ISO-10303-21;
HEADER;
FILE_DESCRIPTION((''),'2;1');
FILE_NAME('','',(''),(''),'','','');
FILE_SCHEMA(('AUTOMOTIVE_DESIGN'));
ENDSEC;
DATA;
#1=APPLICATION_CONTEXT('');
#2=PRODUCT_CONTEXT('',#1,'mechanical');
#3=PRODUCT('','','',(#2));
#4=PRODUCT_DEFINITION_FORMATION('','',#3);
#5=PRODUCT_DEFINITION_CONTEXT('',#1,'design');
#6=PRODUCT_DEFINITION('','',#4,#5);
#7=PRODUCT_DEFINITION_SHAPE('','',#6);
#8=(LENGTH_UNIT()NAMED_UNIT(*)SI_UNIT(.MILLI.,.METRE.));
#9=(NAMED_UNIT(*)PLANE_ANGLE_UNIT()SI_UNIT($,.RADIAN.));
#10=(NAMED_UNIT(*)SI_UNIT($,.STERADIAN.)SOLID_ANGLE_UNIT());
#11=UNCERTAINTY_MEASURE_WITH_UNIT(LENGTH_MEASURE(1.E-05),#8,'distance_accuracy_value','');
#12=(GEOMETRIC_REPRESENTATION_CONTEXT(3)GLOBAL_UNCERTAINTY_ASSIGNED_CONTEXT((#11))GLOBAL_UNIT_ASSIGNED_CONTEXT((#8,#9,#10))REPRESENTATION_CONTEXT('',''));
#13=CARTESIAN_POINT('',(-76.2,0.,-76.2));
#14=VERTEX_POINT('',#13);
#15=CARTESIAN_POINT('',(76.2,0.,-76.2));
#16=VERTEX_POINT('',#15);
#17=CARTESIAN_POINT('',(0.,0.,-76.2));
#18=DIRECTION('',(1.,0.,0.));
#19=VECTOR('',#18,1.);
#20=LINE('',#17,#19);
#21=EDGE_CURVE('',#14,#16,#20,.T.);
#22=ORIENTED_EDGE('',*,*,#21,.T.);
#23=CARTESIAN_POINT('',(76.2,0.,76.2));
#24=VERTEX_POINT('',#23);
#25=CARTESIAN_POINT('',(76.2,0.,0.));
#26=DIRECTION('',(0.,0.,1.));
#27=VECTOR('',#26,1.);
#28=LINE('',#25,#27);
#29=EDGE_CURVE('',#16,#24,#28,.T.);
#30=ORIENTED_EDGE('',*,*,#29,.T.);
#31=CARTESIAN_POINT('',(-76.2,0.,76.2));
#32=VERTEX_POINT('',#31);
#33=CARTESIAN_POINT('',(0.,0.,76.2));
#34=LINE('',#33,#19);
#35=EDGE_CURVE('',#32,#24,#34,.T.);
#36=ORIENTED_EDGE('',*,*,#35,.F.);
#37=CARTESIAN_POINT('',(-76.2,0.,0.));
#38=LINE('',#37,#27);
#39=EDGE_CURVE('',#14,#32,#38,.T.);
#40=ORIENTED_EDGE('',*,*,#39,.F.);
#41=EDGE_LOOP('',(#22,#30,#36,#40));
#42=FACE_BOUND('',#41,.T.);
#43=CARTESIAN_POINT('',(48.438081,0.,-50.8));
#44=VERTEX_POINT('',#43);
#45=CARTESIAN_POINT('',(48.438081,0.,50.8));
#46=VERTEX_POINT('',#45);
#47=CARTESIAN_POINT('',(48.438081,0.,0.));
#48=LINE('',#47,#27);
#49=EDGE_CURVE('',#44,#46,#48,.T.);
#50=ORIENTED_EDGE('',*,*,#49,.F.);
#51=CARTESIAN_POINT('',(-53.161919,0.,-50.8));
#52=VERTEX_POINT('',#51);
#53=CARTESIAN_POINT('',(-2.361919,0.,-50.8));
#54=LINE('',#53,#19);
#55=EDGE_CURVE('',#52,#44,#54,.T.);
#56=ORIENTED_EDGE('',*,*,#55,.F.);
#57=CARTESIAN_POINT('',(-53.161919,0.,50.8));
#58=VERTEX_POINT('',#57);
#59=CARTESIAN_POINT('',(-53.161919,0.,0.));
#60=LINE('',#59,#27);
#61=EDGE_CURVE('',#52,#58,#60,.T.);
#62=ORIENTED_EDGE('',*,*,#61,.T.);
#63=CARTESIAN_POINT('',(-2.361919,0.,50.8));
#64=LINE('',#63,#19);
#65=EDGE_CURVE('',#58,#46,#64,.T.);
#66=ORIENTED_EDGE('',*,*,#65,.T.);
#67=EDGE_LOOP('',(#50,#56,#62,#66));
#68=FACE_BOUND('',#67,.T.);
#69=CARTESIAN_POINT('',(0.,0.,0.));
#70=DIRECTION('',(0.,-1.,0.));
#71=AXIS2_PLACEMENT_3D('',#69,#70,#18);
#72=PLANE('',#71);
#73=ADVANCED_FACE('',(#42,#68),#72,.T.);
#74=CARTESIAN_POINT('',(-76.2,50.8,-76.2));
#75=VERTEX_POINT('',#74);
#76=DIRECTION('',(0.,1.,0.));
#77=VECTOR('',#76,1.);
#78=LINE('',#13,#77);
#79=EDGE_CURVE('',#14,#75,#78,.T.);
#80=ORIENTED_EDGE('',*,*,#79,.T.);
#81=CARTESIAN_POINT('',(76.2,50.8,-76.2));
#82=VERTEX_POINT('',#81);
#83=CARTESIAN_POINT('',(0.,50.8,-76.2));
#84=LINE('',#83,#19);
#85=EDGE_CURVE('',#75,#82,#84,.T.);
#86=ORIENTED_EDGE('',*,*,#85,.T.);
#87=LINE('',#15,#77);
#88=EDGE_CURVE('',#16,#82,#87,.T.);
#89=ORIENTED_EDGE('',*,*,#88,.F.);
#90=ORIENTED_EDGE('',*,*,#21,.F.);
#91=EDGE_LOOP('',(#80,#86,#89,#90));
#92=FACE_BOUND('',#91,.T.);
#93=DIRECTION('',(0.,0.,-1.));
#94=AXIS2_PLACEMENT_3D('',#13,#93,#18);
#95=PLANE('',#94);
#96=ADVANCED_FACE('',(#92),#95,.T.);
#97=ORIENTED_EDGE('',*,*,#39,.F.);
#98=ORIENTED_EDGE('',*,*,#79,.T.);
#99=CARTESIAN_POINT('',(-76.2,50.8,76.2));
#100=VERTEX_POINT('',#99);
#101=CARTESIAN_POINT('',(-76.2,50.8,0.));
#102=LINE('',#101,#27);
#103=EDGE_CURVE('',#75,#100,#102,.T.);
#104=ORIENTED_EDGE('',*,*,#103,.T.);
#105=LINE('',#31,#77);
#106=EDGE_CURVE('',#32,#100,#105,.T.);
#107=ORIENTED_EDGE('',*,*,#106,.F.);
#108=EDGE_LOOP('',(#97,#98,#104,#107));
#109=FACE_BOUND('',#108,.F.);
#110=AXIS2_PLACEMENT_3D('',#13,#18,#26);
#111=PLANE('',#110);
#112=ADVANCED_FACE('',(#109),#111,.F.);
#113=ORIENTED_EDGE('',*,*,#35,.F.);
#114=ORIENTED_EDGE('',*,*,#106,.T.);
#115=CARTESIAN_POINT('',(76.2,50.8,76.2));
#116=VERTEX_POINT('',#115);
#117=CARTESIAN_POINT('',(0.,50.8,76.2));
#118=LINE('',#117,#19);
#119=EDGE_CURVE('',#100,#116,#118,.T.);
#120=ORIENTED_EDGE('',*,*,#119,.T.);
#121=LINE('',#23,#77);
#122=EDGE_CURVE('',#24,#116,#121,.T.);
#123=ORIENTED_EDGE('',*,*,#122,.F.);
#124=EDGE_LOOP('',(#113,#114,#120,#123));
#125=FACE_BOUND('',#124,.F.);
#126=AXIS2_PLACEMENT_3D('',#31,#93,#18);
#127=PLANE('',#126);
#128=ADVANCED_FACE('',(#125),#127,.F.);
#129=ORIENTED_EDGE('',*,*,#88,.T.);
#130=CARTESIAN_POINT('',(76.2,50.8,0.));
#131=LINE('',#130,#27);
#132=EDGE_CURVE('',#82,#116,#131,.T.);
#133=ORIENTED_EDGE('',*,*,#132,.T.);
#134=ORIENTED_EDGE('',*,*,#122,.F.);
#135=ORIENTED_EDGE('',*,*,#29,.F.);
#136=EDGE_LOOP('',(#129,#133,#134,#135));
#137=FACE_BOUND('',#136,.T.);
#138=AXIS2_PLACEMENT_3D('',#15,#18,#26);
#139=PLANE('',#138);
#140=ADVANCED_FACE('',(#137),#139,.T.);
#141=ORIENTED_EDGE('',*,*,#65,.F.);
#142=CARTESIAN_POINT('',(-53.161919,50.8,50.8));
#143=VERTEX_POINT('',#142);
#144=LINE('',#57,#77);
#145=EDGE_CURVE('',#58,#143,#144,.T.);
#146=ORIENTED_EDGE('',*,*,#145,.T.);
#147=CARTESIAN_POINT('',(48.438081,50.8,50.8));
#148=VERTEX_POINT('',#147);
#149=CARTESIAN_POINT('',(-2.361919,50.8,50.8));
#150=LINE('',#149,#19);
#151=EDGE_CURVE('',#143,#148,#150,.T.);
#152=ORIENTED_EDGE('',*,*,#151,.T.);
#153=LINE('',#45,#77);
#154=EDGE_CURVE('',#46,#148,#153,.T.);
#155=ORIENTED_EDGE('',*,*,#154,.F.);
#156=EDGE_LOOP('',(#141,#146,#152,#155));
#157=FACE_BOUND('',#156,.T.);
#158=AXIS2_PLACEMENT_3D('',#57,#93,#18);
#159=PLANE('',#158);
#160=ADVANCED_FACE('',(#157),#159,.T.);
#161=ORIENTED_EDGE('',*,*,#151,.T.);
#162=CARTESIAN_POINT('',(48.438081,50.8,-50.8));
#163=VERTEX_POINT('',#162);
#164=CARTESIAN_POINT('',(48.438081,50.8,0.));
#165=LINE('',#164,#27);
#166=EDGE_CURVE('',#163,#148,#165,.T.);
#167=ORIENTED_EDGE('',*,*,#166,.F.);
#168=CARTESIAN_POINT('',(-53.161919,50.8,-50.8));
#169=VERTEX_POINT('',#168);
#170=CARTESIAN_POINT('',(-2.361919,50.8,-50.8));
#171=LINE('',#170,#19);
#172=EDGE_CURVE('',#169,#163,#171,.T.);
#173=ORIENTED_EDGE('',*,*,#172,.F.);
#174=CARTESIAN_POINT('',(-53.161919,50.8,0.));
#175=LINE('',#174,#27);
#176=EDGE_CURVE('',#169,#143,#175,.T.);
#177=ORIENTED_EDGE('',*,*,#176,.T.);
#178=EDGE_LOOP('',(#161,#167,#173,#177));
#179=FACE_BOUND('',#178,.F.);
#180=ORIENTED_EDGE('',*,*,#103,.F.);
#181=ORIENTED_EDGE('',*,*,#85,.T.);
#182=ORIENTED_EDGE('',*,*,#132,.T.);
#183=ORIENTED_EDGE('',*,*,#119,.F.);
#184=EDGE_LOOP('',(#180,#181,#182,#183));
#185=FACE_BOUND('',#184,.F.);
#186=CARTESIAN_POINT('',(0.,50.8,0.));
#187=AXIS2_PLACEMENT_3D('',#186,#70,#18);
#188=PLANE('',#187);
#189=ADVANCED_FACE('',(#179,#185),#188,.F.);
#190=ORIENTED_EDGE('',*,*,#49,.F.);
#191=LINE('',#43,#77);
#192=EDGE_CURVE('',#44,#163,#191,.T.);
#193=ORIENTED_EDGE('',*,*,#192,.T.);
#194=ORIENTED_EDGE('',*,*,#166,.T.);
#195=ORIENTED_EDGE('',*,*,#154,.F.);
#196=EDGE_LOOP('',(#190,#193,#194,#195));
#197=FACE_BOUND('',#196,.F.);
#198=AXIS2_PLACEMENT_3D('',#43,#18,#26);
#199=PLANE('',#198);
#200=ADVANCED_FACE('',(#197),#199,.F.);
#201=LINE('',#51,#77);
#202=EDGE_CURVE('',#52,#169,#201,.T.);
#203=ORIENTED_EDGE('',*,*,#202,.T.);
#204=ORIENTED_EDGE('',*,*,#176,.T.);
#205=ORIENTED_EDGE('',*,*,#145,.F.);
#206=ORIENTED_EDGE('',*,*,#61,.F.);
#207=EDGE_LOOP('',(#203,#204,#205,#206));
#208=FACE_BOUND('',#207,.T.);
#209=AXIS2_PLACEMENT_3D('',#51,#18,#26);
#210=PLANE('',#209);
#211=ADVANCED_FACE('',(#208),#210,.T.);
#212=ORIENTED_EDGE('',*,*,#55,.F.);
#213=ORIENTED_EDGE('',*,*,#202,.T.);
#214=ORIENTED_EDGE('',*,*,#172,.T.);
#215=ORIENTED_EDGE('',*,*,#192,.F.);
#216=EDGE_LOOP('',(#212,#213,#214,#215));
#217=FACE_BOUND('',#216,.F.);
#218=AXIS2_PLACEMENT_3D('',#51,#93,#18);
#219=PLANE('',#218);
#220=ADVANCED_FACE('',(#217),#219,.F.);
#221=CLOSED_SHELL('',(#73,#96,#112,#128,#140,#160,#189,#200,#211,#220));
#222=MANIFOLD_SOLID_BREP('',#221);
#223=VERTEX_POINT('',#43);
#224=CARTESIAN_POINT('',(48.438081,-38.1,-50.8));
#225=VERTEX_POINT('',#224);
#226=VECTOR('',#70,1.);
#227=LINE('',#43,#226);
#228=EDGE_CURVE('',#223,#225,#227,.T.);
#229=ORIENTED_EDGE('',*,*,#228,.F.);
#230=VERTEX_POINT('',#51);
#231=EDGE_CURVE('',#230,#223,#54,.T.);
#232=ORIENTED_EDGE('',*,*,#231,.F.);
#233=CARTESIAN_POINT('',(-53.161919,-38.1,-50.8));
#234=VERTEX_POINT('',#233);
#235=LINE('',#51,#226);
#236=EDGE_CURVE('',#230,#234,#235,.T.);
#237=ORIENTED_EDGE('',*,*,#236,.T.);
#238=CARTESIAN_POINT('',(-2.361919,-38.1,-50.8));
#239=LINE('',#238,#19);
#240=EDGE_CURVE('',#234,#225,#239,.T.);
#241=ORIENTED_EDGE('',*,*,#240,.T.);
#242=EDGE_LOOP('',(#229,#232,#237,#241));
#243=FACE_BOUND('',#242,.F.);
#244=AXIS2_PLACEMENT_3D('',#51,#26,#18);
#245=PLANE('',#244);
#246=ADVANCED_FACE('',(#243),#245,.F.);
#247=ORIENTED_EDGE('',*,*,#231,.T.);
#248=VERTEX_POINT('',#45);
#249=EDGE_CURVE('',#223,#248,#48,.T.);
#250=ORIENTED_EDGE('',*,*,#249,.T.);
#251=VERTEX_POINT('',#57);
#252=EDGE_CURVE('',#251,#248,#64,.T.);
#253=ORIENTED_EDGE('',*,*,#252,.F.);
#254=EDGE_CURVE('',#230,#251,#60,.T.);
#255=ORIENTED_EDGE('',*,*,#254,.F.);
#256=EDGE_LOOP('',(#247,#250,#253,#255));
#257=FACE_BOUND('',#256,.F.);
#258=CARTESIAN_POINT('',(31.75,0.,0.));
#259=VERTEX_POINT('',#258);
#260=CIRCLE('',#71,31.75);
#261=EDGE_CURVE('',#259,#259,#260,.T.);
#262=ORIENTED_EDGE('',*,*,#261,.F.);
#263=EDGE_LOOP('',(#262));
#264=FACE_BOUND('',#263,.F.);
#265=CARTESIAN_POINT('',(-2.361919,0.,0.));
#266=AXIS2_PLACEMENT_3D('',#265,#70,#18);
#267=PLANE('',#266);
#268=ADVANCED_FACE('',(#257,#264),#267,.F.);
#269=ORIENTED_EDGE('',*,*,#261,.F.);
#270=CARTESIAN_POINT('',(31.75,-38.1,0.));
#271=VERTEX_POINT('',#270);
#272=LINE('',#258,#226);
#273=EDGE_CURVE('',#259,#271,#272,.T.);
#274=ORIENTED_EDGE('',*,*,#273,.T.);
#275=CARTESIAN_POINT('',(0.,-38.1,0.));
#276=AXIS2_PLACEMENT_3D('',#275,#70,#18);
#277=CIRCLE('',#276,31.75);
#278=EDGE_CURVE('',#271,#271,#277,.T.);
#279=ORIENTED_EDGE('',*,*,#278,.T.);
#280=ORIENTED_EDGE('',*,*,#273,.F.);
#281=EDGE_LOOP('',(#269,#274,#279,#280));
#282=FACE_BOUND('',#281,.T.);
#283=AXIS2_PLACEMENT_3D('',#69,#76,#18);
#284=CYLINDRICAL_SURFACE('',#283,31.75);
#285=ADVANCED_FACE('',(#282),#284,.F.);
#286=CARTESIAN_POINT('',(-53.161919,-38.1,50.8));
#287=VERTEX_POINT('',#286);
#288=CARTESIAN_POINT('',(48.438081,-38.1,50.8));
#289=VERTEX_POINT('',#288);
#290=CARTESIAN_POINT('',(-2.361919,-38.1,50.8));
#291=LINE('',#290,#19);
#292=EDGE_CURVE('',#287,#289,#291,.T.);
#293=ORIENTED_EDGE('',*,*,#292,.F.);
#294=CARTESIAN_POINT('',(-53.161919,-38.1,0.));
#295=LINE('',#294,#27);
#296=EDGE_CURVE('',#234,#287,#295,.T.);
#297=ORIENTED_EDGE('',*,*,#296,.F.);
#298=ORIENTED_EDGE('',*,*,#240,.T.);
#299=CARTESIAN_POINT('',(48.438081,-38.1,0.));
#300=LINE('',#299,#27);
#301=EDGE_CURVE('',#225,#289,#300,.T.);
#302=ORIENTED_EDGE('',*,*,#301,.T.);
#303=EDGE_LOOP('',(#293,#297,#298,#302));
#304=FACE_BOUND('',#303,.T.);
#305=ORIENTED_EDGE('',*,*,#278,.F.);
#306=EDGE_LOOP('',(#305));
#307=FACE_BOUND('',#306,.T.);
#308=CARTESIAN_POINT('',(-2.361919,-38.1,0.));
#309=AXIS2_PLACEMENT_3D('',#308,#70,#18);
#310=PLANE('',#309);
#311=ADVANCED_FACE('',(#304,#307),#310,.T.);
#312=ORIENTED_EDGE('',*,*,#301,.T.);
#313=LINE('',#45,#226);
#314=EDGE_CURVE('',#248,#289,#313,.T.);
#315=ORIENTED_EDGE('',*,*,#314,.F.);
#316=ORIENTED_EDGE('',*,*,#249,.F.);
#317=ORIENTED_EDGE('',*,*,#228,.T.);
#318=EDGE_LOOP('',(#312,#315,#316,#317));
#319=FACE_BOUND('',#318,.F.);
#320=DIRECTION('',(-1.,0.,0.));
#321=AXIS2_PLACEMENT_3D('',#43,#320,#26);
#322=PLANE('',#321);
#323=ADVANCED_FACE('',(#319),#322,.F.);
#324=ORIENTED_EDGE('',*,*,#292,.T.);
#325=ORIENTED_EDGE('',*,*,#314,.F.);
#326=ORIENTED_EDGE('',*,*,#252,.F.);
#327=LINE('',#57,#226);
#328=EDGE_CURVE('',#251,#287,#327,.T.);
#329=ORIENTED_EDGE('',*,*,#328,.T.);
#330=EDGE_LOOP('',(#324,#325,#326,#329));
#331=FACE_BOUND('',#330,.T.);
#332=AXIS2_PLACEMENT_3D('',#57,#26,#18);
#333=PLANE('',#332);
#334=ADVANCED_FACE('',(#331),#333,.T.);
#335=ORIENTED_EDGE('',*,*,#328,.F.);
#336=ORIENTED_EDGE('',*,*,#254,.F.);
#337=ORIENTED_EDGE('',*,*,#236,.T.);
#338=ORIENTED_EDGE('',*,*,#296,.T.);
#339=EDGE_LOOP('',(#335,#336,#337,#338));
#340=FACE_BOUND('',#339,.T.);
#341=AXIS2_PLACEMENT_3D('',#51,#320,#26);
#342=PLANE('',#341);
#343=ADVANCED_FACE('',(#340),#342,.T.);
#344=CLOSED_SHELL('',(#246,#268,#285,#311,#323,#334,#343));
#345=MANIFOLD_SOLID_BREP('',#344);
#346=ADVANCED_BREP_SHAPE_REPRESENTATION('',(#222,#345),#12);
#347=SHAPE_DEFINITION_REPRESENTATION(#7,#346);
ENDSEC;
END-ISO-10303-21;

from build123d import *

# Parameters (mm, degrees)
F0_W     = 101.6
F0_H     = 101.6
F0_R     = 31.75
F1_DEPTH = 38.1
F0_W_2   = 152.4
F0_H_2   = 152.4
F2_DEPTH = 50.8


with BuildPart() as f1:
    # F0 (on Front) → F1 (new body)
    with BuildSketch(Plane.XZ):
        with Locations((-2.361919, 0)):
            Rectangle(F0_W, F0_H)
        Circle(F0_R, mode=Mode.SUBTRACT)
    extrude(amount=F1_DEPTH)

    # F0 (on Front) → F2 (join)
    with BuildSketch(Plane.XZ):
        Rectangle(F0_W_2, F0_H_2)
        with Locations((-2.361919, 0)):
            Rectangle(F0_W, F0_H, mode=Mode.SUBTRACT)
    extrude(amount=-F2_DEPTH)


solid = f1.part
